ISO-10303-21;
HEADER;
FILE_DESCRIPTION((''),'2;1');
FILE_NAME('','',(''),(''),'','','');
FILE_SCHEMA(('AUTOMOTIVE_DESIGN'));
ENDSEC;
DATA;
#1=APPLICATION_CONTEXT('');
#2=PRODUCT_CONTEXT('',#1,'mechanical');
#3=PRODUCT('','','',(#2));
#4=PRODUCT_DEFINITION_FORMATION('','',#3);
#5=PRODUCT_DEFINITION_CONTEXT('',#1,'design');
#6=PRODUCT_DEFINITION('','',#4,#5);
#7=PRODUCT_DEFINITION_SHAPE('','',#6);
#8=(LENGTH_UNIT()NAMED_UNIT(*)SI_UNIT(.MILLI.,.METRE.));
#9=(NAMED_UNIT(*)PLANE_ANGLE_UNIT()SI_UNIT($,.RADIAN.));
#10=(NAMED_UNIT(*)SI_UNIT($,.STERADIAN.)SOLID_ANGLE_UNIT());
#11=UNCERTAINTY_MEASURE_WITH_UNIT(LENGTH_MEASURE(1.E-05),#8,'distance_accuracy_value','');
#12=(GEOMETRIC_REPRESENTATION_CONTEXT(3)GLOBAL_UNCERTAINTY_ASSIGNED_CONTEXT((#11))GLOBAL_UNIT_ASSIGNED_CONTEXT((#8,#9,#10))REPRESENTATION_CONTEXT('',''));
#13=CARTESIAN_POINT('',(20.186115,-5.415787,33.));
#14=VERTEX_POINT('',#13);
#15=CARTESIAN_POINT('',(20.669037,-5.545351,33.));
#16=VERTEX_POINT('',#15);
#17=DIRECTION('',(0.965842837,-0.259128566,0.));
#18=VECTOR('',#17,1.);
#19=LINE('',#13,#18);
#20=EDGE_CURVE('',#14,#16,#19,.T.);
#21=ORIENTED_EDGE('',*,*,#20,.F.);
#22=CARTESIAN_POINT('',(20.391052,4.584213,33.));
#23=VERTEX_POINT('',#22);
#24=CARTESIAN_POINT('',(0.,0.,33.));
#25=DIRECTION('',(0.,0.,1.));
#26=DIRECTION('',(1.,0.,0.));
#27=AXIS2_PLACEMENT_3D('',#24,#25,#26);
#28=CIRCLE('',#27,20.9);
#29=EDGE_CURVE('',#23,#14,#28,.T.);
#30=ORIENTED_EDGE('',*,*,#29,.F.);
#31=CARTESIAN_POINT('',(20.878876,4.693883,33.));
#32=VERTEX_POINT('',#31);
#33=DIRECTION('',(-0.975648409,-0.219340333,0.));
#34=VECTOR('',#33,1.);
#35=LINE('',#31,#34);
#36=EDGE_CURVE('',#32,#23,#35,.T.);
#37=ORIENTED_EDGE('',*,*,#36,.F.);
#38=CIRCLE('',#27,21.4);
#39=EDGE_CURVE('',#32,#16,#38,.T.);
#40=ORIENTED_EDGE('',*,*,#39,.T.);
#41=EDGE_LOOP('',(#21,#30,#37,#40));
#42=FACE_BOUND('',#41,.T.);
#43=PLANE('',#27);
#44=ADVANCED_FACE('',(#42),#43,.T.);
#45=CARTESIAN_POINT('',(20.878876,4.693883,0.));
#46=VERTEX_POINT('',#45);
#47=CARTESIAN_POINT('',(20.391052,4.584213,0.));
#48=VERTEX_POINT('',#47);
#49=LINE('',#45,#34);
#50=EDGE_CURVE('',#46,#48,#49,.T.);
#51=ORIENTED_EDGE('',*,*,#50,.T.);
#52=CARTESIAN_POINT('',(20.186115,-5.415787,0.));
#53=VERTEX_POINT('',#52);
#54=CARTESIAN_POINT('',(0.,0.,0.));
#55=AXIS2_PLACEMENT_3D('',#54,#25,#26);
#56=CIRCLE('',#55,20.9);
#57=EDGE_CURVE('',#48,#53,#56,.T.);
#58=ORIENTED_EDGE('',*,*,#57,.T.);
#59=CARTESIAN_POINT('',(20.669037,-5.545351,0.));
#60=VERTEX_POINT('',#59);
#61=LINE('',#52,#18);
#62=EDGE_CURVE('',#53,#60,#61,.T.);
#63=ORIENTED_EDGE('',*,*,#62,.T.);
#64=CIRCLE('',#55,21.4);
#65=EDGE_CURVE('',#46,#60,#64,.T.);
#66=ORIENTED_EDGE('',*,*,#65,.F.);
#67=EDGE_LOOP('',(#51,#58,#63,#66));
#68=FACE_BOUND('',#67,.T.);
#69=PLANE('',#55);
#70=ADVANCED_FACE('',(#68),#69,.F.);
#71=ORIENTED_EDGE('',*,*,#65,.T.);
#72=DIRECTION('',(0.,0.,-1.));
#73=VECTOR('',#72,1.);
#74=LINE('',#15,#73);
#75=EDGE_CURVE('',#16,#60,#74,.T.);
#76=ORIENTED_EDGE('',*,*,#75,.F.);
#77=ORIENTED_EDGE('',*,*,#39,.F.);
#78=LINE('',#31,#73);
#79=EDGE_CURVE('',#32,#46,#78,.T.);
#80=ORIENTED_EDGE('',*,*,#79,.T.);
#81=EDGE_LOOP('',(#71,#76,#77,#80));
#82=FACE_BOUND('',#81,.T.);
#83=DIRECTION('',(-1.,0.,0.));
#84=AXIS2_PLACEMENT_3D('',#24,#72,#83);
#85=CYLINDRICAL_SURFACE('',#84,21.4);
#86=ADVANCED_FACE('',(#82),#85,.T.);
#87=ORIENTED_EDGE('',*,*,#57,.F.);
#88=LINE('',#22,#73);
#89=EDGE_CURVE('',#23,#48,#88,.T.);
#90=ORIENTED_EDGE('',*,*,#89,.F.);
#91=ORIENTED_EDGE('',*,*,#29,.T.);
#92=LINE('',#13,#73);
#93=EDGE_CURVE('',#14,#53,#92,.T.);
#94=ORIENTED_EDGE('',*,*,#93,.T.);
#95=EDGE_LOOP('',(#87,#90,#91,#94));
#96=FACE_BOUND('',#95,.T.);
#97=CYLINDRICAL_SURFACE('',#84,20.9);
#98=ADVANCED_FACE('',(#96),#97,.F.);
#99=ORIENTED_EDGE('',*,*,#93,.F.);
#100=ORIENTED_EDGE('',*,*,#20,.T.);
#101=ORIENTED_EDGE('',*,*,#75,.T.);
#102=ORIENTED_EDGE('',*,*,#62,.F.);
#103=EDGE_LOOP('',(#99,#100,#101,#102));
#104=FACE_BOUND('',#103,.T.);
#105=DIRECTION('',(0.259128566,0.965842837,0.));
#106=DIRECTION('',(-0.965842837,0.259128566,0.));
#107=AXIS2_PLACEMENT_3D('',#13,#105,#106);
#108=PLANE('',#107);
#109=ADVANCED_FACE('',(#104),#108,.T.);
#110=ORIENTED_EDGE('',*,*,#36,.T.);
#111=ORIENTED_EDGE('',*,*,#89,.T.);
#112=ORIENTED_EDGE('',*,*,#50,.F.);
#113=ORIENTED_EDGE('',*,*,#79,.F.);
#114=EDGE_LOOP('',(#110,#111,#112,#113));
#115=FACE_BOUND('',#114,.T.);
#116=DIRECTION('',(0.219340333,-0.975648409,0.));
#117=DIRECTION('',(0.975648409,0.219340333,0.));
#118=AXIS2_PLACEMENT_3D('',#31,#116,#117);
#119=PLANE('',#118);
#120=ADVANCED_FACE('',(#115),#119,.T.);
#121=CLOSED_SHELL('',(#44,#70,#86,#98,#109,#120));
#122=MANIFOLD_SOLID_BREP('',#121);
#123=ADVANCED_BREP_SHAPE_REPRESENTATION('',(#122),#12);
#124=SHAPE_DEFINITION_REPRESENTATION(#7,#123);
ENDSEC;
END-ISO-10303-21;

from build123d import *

# Parameters (mm, degrees)
EXTRUDE_THIN1_DEPTH = 33


with BuildPart() as part:
    # Sketch1 → Extrude-Thin1 (new body)
    with BuildSketch(Plane.XY):
        with BuildLine():
            ThreePointArc((20.39105175, 4.584212969), (-20.895612492, 0.428227267), (20.186115298, -5.415787031))
            Line((20.186115298, -5.415787031), (20.669036717, -5.545351314))
            ThreePointArc((20.669036717, -5.545351314), (-21.395507527, 0.438471939), (20.878875954, 4.693883135))
            Line((20.878875954, 4.693883135), (20.39105175, 4.584212969))
        make_face()
    extrude(amount=EXTRUDE_THIN1_DEPTH)


solid = part.part
